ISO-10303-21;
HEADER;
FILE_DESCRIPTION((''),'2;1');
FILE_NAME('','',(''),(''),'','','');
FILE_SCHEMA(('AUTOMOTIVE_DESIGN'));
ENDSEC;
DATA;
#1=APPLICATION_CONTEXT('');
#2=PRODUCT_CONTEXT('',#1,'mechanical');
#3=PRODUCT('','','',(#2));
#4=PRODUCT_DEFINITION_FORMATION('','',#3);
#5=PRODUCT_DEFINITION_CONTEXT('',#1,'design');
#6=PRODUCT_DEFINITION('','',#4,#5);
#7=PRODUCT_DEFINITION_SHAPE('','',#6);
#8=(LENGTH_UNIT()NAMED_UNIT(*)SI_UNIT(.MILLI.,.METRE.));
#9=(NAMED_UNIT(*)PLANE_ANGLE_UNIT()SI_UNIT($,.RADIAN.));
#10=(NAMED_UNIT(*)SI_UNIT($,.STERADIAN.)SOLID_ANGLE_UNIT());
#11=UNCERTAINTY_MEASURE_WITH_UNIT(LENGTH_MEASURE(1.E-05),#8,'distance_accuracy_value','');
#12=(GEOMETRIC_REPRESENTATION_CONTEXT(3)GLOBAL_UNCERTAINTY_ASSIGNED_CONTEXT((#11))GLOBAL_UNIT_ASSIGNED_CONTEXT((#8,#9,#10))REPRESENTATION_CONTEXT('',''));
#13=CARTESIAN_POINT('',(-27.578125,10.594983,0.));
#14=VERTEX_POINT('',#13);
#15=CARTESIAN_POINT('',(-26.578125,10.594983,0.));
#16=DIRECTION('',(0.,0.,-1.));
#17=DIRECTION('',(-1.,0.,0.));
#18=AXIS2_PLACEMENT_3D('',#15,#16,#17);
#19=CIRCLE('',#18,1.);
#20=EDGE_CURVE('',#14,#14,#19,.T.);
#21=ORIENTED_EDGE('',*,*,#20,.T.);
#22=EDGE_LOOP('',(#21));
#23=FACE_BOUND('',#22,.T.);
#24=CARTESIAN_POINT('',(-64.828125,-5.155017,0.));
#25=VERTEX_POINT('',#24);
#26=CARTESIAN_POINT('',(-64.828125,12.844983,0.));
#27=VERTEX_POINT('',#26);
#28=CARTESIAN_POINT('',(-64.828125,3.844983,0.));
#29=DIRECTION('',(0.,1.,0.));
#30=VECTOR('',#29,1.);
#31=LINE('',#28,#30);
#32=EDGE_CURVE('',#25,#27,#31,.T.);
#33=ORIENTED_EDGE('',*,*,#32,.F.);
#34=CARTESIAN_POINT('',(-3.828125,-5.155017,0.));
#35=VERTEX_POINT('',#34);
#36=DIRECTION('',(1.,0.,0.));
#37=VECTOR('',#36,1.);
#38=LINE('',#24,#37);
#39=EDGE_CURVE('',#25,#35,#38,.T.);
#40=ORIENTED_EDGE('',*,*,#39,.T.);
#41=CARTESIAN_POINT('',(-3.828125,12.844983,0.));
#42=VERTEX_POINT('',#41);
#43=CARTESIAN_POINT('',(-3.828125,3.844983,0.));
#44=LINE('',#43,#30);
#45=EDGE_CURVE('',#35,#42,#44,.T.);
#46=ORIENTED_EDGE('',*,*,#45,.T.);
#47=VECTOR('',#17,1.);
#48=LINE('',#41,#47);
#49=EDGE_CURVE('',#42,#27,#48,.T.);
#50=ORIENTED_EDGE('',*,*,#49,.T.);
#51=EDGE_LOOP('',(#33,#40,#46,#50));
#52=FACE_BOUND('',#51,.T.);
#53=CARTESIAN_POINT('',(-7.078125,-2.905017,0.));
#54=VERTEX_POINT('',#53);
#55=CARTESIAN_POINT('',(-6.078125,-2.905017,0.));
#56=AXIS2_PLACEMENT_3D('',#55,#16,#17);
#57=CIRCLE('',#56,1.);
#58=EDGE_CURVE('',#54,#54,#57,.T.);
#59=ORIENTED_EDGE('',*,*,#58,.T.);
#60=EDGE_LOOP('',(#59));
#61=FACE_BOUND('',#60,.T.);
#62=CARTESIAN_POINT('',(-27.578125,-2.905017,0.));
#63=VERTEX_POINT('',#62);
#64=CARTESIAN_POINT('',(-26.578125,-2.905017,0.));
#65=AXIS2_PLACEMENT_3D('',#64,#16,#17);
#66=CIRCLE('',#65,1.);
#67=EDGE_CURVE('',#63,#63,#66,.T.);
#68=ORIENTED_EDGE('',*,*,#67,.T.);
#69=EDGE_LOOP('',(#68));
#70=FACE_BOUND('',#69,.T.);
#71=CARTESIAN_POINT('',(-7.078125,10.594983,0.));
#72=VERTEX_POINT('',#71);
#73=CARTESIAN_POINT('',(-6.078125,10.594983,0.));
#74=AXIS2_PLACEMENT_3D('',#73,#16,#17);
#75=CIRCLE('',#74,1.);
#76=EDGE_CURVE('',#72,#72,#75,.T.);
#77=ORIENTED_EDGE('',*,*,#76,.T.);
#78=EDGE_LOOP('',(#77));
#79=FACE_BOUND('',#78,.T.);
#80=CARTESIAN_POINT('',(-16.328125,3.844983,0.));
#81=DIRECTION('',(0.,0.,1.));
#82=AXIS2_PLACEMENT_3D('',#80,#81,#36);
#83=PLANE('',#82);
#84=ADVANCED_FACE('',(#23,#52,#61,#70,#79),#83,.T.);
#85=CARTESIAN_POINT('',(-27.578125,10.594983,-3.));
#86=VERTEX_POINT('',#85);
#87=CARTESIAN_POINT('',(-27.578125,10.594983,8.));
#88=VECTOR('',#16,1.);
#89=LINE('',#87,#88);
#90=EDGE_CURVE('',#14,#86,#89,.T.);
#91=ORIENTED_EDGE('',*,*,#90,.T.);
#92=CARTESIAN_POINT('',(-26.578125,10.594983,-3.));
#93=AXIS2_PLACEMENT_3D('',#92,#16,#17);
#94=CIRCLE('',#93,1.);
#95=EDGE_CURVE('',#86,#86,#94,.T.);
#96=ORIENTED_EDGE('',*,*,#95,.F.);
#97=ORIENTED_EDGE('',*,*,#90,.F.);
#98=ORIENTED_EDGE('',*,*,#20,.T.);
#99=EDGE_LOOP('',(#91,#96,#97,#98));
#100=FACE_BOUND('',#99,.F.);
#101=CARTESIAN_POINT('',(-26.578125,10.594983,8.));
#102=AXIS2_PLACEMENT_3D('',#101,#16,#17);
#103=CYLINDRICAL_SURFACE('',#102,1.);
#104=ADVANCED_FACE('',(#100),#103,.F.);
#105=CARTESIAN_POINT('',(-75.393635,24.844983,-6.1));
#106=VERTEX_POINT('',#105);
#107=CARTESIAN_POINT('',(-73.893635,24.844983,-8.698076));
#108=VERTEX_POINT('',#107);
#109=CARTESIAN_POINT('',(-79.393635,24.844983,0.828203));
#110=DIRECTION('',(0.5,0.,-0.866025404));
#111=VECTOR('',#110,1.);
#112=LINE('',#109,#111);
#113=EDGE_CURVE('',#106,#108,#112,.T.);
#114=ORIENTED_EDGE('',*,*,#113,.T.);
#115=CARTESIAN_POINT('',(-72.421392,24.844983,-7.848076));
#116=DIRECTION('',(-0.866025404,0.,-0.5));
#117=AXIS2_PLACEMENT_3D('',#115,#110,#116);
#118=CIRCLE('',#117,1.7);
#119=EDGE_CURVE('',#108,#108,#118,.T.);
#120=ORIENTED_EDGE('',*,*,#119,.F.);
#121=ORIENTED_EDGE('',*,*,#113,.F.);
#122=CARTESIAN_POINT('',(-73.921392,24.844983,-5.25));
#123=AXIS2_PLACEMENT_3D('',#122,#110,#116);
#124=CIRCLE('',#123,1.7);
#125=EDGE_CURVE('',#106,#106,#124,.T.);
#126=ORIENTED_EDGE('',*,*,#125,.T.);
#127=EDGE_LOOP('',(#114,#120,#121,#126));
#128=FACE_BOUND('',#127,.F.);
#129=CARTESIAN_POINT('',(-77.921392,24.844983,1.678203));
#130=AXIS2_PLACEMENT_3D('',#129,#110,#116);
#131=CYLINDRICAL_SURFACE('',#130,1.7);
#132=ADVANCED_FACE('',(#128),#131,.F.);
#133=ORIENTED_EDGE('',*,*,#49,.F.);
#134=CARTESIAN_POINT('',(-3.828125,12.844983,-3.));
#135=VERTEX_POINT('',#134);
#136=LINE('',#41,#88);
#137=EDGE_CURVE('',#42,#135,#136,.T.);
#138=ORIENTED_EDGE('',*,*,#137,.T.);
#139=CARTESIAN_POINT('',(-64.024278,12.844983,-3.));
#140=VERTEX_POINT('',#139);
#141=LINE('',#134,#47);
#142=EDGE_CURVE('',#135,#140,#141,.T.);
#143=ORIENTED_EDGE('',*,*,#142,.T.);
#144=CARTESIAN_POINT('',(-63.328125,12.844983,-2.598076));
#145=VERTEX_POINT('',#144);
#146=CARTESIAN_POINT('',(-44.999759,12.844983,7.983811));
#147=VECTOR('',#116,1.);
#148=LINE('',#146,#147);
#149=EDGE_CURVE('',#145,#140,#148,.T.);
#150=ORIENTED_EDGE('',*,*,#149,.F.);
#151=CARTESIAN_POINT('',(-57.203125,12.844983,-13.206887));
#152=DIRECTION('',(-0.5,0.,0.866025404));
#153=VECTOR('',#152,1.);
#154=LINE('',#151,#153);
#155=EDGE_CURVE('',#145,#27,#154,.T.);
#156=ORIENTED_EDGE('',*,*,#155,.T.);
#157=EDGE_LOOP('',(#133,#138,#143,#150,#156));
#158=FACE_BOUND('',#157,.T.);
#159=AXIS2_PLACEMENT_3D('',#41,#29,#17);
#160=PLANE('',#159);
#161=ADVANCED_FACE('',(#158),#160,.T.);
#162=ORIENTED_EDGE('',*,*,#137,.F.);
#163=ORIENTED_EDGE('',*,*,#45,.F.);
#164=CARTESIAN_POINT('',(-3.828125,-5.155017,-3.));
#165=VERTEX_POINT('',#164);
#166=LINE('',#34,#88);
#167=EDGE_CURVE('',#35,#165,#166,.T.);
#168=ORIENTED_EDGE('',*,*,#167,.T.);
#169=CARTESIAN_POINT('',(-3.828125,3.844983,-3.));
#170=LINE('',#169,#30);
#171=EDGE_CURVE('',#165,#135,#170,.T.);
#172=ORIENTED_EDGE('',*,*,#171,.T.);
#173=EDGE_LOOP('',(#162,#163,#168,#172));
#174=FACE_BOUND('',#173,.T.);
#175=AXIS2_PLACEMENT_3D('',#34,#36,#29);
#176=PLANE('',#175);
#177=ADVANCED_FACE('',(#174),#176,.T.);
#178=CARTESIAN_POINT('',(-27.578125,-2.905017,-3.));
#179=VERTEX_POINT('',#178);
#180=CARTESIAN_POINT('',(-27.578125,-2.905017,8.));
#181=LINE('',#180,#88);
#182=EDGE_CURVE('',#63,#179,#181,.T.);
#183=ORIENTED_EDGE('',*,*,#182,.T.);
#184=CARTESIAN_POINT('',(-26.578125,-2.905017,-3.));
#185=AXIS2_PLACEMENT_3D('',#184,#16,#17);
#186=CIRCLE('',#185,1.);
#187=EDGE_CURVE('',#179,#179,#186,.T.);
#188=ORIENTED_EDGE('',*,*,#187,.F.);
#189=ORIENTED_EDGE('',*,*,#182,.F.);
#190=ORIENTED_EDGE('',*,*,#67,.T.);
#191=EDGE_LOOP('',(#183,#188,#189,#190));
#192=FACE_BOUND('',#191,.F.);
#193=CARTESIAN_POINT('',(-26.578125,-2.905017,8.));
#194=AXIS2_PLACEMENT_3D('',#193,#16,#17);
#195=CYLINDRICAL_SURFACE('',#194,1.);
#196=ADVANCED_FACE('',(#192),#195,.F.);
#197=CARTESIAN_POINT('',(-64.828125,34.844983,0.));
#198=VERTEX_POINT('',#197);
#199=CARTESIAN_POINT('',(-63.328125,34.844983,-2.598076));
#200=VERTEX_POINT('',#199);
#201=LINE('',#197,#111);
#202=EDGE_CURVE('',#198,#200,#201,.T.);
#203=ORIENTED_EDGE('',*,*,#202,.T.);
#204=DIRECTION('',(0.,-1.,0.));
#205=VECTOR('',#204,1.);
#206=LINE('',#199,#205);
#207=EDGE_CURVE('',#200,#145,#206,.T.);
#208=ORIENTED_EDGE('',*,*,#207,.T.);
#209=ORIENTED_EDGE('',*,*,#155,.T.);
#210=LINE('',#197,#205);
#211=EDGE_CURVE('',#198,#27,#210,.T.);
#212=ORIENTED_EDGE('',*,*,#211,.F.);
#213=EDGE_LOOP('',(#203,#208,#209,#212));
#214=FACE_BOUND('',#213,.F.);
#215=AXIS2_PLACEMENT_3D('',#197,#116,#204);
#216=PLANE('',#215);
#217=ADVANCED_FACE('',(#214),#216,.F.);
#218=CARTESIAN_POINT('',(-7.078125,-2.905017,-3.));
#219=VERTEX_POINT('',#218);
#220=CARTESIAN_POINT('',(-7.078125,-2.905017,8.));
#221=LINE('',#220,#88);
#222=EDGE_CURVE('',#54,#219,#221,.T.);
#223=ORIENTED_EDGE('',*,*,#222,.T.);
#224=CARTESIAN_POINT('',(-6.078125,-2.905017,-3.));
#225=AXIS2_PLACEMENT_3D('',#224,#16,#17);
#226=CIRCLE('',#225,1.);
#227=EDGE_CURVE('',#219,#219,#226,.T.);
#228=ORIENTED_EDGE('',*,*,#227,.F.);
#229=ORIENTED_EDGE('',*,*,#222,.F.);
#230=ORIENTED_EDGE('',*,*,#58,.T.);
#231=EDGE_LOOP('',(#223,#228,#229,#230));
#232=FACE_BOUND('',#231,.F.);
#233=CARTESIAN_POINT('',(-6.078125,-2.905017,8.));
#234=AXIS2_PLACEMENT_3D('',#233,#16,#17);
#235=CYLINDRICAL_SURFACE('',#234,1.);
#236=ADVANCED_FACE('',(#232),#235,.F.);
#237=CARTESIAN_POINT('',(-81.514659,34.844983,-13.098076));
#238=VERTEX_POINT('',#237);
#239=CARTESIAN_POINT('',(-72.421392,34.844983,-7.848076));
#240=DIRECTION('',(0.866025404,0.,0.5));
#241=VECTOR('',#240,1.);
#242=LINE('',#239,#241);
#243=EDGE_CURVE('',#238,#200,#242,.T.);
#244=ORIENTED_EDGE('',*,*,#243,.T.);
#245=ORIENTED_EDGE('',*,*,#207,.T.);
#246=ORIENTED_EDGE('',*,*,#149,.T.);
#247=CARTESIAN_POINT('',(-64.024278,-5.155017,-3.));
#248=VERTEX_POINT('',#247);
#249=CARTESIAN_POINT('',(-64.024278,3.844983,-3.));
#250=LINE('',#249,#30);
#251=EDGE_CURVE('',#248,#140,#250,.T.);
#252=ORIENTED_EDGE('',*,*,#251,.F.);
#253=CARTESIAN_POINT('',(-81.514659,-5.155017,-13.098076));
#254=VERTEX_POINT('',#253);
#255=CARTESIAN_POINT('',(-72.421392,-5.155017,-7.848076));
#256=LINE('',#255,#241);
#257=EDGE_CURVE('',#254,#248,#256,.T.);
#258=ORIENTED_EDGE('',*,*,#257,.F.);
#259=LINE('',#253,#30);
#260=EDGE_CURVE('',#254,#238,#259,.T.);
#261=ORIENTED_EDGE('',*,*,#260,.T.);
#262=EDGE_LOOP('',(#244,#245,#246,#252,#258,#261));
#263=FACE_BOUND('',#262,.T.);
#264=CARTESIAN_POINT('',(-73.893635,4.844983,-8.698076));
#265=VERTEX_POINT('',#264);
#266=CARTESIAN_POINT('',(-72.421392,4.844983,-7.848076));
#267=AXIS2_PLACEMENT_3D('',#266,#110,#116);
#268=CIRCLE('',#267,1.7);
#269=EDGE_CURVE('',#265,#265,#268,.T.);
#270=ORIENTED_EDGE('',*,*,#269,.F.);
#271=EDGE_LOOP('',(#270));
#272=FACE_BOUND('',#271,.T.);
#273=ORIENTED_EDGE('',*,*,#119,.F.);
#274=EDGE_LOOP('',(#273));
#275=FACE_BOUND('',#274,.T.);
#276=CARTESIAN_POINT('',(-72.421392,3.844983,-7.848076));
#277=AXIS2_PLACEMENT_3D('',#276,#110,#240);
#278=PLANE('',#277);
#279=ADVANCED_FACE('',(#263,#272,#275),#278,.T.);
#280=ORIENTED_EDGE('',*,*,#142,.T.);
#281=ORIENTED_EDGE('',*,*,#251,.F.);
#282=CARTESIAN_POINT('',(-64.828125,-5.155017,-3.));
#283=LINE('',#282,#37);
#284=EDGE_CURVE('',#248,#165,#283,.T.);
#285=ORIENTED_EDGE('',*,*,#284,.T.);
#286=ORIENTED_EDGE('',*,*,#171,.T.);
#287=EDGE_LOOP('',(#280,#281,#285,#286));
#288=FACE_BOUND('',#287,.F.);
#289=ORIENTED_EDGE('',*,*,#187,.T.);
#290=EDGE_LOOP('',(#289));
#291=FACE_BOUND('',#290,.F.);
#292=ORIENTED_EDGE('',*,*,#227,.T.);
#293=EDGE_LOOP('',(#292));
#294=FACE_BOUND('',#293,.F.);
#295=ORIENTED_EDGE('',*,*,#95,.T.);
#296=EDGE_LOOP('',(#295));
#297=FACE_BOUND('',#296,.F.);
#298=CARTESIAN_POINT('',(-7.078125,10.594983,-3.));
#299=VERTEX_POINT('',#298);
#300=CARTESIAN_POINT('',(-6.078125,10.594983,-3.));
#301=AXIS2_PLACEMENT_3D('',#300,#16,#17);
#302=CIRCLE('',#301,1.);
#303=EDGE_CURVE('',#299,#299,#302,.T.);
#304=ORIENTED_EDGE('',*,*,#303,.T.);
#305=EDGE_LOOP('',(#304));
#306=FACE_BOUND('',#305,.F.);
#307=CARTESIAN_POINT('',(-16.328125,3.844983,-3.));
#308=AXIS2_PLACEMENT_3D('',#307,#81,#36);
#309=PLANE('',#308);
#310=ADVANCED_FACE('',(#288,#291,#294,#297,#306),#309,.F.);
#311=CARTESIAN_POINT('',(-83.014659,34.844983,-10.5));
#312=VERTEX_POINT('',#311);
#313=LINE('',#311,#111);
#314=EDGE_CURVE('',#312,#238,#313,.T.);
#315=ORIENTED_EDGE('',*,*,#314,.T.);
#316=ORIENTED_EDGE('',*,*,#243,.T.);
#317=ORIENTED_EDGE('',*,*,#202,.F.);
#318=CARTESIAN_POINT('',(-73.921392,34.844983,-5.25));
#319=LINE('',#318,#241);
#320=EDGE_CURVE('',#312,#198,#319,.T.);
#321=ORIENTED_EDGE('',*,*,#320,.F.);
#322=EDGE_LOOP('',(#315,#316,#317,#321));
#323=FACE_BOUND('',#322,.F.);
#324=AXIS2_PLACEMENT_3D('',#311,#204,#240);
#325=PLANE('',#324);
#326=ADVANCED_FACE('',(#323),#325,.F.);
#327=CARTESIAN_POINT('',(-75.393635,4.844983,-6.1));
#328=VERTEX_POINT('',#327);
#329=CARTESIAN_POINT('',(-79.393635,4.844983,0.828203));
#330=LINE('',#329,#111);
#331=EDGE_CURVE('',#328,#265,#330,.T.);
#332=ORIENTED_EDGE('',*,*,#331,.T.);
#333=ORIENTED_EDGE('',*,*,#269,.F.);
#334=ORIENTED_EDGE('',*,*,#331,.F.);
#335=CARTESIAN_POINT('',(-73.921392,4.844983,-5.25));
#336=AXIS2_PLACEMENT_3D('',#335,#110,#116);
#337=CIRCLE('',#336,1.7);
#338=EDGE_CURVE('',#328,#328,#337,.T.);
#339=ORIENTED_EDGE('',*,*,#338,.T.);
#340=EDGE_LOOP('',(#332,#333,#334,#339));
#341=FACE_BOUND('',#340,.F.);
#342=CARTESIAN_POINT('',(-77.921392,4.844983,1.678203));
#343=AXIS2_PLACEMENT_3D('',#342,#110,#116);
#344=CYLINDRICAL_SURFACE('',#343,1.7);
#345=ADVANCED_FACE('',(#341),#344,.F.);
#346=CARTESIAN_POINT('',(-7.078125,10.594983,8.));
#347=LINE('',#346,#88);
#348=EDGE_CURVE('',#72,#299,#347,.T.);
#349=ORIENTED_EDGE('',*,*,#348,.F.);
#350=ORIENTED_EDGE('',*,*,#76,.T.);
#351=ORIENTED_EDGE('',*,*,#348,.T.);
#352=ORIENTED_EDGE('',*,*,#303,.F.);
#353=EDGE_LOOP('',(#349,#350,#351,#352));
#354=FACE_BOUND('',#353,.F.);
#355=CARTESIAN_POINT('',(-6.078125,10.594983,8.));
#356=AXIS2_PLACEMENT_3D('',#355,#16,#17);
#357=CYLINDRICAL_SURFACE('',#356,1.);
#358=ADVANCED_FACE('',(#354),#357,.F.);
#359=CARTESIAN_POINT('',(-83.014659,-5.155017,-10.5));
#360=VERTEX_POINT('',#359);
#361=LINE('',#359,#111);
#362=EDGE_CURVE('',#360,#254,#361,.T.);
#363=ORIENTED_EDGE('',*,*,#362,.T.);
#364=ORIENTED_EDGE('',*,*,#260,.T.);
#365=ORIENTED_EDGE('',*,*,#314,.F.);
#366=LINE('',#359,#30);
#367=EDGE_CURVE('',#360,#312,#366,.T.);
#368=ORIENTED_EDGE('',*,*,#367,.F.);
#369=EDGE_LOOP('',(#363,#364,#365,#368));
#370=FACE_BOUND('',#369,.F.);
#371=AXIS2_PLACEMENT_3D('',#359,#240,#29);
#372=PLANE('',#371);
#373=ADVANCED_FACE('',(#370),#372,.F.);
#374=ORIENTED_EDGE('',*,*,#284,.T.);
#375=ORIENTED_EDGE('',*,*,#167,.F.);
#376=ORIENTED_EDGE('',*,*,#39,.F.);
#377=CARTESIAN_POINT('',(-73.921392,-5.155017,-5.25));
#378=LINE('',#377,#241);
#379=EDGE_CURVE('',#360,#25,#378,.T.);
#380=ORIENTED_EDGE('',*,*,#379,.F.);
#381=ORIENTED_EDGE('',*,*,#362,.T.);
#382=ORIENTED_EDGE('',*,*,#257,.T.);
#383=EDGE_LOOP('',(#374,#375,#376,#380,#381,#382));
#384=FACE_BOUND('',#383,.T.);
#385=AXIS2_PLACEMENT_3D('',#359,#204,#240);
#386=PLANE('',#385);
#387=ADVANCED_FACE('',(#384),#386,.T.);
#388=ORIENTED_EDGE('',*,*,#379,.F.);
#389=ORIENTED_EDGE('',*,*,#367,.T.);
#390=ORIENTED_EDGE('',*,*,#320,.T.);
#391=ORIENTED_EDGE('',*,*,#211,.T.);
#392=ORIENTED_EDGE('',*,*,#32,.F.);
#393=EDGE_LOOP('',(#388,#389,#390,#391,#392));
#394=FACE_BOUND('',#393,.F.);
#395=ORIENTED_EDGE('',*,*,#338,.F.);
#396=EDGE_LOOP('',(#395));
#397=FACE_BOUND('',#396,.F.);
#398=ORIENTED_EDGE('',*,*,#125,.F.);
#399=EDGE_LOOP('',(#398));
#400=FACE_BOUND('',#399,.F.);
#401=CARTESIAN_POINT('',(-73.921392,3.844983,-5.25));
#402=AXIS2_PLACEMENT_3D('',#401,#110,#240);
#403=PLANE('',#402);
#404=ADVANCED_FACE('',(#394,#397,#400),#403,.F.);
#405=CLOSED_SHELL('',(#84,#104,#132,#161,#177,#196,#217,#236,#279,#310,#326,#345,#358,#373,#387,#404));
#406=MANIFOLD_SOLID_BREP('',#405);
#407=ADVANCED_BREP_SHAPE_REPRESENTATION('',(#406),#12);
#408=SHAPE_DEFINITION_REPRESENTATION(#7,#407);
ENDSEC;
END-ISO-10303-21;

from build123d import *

# Parameters (mm, degrees)
F0_W     = 25
F0_H     = 18
F0_W_2   = 36
F1_DEPTH = 3
F2_D     = 2
F2_DEPTH = 8
F2_TIP   = 0.600860619
F4_W     = 21
F4_H     = 18
F4_H_2   = 22
F5_DEPTH = 3
F6_D     = 3.4
F6_DEPTH = 8
F6_TIP   = 1.0214630523


with BuildPart() as f1:
    # F0 (on Top) → F1 (new body)
    with BuildSketch(Plane.XY):
        with Locations((-16.3281254843, 3.8449834271)):
            Rectangle(F0_W, F0_H)
        with Locations((-46.8281254843, 3.8449834271)):
            Rectangle(F0_W_2, F0_H)
    extrude(amount=-F1_DEPTH)

    # F2
    with Locations(Plane.XY):
        with Locations((-26.5781254843, 10.5949834271), (-6.0781254843, 10.5949834271), (-6.0781254843, -2.9050165729), (-26.5781254843, -2.9050165729)):
            Hole(F2_D / 2, depth=F2_DEPTH)
            with Locations((0, 0, -(F2_DEPTH + F2_TIP / 2))):  # 118° drill point
                Cone(0, F2_D / 2, F2_TIP, mode=Mode.SUBTRACT)

    # F4 (on line) → F5 (join)
    with BuildSketch(Plane(origin=(-16.2070313711, 0, 28.0714017746), x_dir=(0.8660254038, 0, 0.5), z_dir=(0.5, 0, -0.8660254038))):
        with Locations((-66.6428035491, -3.8449834271)):
            Rectangle(F4_W, F4_H)
        with Locations((-66.6428035491, -23.8449834271)):
            Rectangle(F4_W, F4_H_2)
    extrude(amount=F5_DEPTH)

    # F6
    with Locations(Plane(origin=(-16.2070313711, 0, 28.0714017746), x_dir=(0.8660254038, 0, 0.5), z_dir=(-0.5, 0, 0.8660254038))):
        with Locations((-66.6428035491, 24.8449834271), (-66.6428035491, 4.8449834271)):
            Hole(F6_D / 2, depth=F6_DEPTH)
            with Locations((0, 0, -(F6_DEPTH + F6_TIP / 2))):  # 118° drill point
                Cone(0, F6_D / 2, F6_TIP, mode=Mode.SUBTRACT)


solid = f1.part
